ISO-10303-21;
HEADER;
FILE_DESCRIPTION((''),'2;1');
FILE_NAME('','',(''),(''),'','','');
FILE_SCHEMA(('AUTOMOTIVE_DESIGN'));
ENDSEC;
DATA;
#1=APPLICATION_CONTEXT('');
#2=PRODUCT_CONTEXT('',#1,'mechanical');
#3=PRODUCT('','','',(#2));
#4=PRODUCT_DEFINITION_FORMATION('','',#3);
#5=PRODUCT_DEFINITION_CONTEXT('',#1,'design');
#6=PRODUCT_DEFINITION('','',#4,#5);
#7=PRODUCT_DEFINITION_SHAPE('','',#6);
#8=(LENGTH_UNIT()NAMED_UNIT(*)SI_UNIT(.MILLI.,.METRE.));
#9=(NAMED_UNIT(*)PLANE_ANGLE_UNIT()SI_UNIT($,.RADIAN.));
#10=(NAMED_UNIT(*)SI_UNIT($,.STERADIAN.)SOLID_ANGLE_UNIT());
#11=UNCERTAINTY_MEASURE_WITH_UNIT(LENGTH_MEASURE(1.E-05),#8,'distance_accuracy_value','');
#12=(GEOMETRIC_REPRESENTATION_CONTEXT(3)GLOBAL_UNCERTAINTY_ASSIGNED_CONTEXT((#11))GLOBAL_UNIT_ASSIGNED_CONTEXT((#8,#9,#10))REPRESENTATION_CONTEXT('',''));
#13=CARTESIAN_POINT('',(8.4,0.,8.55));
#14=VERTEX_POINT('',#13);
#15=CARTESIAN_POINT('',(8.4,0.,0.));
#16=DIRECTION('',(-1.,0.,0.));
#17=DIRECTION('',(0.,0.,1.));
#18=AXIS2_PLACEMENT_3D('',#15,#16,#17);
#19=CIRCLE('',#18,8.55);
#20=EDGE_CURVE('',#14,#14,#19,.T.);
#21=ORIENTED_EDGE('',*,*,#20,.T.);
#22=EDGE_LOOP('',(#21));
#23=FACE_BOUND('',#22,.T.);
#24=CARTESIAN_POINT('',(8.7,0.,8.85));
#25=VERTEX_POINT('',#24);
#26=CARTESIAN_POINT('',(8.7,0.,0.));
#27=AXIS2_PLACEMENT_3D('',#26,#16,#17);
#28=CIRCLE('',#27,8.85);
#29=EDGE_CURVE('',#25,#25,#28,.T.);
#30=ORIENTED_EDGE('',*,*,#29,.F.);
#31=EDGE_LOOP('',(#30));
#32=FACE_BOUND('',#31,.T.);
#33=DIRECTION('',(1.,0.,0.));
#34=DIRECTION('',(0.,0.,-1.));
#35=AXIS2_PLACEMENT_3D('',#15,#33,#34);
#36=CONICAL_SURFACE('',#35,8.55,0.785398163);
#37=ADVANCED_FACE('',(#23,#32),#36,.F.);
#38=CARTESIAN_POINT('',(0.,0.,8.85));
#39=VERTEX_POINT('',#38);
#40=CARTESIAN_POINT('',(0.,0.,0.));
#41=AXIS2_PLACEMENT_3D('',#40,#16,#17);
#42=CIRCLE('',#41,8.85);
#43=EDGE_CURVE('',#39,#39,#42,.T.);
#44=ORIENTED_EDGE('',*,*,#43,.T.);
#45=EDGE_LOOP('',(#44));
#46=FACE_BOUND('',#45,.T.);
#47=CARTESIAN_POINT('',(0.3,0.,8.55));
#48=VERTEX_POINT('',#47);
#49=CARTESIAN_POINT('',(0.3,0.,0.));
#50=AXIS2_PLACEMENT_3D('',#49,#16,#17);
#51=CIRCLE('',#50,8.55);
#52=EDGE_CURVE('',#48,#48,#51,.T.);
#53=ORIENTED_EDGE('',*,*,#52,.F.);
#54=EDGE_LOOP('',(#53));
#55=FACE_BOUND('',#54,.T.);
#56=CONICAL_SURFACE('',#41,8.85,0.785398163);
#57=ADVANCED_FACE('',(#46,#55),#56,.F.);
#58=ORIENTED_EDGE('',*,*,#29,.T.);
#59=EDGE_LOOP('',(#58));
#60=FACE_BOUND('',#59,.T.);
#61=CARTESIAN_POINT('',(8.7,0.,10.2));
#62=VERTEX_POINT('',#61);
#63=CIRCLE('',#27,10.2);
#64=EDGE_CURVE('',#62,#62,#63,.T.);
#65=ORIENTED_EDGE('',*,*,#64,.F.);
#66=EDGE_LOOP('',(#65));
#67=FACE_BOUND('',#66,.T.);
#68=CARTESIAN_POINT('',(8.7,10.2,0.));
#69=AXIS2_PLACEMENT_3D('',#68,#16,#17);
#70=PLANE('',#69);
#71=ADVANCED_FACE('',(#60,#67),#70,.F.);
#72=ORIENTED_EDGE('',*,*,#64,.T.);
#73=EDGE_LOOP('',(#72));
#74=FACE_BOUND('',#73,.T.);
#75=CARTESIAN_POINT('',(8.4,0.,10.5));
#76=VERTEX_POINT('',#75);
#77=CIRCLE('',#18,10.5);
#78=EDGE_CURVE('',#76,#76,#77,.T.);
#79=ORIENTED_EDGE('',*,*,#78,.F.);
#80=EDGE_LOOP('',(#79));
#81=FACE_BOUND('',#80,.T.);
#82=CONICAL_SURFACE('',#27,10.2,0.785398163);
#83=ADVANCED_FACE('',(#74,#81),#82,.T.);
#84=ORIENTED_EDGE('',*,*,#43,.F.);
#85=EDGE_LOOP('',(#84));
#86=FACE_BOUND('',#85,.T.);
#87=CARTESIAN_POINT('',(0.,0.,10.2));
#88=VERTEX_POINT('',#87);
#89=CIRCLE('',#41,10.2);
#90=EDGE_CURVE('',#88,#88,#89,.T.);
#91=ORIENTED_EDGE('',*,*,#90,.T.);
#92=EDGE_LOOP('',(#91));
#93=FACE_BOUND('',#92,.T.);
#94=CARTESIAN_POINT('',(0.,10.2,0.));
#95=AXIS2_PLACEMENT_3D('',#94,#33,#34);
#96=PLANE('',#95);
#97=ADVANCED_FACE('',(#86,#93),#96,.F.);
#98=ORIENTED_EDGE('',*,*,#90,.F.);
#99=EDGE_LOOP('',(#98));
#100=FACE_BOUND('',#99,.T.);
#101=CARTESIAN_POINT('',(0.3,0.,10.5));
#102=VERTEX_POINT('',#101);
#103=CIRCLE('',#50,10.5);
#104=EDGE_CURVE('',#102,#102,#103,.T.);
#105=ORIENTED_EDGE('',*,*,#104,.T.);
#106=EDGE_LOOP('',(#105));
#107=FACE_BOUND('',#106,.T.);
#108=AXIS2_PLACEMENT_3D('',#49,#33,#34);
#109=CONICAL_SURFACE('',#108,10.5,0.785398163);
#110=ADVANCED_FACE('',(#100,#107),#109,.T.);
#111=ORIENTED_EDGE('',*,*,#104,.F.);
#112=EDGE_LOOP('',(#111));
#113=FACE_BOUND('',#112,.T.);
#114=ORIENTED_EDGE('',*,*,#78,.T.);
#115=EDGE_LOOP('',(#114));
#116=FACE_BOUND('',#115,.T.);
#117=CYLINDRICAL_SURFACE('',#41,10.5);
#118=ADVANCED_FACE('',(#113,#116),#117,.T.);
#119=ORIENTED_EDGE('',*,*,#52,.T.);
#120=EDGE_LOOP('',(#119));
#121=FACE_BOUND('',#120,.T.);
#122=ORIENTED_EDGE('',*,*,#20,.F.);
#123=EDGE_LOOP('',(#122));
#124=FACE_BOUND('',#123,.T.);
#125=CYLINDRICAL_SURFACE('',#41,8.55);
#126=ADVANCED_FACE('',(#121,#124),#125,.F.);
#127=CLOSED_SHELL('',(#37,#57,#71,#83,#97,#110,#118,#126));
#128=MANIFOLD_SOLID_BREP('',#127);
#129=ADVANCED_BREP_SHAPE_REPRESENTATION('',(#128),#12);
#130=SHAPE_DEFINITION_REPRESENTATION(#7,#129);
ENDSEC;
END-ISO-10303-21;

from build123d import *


with BuildPart() as part:
    # Skizze1 → Rotation1 (revolve)
    with BuildSketch(Plane.XY, mode=Mode.PRIVATE) as rotation1_sk:
        Polygon((8.4, 10.5), (8.7, 10.2), (8.7, 8.85), (8.4, 8.55), (0.3, 8.55), (0, 8.85), (0, 10.2), (0.3, 10.5), align=None)
    revolve(rotation1_sk.sketch.rotate(Axis((0, 0, 0), (1, 0, 0)), 90), axis=Axis((0, 0, 0), (1, 0, 0)))


solid = part.part
